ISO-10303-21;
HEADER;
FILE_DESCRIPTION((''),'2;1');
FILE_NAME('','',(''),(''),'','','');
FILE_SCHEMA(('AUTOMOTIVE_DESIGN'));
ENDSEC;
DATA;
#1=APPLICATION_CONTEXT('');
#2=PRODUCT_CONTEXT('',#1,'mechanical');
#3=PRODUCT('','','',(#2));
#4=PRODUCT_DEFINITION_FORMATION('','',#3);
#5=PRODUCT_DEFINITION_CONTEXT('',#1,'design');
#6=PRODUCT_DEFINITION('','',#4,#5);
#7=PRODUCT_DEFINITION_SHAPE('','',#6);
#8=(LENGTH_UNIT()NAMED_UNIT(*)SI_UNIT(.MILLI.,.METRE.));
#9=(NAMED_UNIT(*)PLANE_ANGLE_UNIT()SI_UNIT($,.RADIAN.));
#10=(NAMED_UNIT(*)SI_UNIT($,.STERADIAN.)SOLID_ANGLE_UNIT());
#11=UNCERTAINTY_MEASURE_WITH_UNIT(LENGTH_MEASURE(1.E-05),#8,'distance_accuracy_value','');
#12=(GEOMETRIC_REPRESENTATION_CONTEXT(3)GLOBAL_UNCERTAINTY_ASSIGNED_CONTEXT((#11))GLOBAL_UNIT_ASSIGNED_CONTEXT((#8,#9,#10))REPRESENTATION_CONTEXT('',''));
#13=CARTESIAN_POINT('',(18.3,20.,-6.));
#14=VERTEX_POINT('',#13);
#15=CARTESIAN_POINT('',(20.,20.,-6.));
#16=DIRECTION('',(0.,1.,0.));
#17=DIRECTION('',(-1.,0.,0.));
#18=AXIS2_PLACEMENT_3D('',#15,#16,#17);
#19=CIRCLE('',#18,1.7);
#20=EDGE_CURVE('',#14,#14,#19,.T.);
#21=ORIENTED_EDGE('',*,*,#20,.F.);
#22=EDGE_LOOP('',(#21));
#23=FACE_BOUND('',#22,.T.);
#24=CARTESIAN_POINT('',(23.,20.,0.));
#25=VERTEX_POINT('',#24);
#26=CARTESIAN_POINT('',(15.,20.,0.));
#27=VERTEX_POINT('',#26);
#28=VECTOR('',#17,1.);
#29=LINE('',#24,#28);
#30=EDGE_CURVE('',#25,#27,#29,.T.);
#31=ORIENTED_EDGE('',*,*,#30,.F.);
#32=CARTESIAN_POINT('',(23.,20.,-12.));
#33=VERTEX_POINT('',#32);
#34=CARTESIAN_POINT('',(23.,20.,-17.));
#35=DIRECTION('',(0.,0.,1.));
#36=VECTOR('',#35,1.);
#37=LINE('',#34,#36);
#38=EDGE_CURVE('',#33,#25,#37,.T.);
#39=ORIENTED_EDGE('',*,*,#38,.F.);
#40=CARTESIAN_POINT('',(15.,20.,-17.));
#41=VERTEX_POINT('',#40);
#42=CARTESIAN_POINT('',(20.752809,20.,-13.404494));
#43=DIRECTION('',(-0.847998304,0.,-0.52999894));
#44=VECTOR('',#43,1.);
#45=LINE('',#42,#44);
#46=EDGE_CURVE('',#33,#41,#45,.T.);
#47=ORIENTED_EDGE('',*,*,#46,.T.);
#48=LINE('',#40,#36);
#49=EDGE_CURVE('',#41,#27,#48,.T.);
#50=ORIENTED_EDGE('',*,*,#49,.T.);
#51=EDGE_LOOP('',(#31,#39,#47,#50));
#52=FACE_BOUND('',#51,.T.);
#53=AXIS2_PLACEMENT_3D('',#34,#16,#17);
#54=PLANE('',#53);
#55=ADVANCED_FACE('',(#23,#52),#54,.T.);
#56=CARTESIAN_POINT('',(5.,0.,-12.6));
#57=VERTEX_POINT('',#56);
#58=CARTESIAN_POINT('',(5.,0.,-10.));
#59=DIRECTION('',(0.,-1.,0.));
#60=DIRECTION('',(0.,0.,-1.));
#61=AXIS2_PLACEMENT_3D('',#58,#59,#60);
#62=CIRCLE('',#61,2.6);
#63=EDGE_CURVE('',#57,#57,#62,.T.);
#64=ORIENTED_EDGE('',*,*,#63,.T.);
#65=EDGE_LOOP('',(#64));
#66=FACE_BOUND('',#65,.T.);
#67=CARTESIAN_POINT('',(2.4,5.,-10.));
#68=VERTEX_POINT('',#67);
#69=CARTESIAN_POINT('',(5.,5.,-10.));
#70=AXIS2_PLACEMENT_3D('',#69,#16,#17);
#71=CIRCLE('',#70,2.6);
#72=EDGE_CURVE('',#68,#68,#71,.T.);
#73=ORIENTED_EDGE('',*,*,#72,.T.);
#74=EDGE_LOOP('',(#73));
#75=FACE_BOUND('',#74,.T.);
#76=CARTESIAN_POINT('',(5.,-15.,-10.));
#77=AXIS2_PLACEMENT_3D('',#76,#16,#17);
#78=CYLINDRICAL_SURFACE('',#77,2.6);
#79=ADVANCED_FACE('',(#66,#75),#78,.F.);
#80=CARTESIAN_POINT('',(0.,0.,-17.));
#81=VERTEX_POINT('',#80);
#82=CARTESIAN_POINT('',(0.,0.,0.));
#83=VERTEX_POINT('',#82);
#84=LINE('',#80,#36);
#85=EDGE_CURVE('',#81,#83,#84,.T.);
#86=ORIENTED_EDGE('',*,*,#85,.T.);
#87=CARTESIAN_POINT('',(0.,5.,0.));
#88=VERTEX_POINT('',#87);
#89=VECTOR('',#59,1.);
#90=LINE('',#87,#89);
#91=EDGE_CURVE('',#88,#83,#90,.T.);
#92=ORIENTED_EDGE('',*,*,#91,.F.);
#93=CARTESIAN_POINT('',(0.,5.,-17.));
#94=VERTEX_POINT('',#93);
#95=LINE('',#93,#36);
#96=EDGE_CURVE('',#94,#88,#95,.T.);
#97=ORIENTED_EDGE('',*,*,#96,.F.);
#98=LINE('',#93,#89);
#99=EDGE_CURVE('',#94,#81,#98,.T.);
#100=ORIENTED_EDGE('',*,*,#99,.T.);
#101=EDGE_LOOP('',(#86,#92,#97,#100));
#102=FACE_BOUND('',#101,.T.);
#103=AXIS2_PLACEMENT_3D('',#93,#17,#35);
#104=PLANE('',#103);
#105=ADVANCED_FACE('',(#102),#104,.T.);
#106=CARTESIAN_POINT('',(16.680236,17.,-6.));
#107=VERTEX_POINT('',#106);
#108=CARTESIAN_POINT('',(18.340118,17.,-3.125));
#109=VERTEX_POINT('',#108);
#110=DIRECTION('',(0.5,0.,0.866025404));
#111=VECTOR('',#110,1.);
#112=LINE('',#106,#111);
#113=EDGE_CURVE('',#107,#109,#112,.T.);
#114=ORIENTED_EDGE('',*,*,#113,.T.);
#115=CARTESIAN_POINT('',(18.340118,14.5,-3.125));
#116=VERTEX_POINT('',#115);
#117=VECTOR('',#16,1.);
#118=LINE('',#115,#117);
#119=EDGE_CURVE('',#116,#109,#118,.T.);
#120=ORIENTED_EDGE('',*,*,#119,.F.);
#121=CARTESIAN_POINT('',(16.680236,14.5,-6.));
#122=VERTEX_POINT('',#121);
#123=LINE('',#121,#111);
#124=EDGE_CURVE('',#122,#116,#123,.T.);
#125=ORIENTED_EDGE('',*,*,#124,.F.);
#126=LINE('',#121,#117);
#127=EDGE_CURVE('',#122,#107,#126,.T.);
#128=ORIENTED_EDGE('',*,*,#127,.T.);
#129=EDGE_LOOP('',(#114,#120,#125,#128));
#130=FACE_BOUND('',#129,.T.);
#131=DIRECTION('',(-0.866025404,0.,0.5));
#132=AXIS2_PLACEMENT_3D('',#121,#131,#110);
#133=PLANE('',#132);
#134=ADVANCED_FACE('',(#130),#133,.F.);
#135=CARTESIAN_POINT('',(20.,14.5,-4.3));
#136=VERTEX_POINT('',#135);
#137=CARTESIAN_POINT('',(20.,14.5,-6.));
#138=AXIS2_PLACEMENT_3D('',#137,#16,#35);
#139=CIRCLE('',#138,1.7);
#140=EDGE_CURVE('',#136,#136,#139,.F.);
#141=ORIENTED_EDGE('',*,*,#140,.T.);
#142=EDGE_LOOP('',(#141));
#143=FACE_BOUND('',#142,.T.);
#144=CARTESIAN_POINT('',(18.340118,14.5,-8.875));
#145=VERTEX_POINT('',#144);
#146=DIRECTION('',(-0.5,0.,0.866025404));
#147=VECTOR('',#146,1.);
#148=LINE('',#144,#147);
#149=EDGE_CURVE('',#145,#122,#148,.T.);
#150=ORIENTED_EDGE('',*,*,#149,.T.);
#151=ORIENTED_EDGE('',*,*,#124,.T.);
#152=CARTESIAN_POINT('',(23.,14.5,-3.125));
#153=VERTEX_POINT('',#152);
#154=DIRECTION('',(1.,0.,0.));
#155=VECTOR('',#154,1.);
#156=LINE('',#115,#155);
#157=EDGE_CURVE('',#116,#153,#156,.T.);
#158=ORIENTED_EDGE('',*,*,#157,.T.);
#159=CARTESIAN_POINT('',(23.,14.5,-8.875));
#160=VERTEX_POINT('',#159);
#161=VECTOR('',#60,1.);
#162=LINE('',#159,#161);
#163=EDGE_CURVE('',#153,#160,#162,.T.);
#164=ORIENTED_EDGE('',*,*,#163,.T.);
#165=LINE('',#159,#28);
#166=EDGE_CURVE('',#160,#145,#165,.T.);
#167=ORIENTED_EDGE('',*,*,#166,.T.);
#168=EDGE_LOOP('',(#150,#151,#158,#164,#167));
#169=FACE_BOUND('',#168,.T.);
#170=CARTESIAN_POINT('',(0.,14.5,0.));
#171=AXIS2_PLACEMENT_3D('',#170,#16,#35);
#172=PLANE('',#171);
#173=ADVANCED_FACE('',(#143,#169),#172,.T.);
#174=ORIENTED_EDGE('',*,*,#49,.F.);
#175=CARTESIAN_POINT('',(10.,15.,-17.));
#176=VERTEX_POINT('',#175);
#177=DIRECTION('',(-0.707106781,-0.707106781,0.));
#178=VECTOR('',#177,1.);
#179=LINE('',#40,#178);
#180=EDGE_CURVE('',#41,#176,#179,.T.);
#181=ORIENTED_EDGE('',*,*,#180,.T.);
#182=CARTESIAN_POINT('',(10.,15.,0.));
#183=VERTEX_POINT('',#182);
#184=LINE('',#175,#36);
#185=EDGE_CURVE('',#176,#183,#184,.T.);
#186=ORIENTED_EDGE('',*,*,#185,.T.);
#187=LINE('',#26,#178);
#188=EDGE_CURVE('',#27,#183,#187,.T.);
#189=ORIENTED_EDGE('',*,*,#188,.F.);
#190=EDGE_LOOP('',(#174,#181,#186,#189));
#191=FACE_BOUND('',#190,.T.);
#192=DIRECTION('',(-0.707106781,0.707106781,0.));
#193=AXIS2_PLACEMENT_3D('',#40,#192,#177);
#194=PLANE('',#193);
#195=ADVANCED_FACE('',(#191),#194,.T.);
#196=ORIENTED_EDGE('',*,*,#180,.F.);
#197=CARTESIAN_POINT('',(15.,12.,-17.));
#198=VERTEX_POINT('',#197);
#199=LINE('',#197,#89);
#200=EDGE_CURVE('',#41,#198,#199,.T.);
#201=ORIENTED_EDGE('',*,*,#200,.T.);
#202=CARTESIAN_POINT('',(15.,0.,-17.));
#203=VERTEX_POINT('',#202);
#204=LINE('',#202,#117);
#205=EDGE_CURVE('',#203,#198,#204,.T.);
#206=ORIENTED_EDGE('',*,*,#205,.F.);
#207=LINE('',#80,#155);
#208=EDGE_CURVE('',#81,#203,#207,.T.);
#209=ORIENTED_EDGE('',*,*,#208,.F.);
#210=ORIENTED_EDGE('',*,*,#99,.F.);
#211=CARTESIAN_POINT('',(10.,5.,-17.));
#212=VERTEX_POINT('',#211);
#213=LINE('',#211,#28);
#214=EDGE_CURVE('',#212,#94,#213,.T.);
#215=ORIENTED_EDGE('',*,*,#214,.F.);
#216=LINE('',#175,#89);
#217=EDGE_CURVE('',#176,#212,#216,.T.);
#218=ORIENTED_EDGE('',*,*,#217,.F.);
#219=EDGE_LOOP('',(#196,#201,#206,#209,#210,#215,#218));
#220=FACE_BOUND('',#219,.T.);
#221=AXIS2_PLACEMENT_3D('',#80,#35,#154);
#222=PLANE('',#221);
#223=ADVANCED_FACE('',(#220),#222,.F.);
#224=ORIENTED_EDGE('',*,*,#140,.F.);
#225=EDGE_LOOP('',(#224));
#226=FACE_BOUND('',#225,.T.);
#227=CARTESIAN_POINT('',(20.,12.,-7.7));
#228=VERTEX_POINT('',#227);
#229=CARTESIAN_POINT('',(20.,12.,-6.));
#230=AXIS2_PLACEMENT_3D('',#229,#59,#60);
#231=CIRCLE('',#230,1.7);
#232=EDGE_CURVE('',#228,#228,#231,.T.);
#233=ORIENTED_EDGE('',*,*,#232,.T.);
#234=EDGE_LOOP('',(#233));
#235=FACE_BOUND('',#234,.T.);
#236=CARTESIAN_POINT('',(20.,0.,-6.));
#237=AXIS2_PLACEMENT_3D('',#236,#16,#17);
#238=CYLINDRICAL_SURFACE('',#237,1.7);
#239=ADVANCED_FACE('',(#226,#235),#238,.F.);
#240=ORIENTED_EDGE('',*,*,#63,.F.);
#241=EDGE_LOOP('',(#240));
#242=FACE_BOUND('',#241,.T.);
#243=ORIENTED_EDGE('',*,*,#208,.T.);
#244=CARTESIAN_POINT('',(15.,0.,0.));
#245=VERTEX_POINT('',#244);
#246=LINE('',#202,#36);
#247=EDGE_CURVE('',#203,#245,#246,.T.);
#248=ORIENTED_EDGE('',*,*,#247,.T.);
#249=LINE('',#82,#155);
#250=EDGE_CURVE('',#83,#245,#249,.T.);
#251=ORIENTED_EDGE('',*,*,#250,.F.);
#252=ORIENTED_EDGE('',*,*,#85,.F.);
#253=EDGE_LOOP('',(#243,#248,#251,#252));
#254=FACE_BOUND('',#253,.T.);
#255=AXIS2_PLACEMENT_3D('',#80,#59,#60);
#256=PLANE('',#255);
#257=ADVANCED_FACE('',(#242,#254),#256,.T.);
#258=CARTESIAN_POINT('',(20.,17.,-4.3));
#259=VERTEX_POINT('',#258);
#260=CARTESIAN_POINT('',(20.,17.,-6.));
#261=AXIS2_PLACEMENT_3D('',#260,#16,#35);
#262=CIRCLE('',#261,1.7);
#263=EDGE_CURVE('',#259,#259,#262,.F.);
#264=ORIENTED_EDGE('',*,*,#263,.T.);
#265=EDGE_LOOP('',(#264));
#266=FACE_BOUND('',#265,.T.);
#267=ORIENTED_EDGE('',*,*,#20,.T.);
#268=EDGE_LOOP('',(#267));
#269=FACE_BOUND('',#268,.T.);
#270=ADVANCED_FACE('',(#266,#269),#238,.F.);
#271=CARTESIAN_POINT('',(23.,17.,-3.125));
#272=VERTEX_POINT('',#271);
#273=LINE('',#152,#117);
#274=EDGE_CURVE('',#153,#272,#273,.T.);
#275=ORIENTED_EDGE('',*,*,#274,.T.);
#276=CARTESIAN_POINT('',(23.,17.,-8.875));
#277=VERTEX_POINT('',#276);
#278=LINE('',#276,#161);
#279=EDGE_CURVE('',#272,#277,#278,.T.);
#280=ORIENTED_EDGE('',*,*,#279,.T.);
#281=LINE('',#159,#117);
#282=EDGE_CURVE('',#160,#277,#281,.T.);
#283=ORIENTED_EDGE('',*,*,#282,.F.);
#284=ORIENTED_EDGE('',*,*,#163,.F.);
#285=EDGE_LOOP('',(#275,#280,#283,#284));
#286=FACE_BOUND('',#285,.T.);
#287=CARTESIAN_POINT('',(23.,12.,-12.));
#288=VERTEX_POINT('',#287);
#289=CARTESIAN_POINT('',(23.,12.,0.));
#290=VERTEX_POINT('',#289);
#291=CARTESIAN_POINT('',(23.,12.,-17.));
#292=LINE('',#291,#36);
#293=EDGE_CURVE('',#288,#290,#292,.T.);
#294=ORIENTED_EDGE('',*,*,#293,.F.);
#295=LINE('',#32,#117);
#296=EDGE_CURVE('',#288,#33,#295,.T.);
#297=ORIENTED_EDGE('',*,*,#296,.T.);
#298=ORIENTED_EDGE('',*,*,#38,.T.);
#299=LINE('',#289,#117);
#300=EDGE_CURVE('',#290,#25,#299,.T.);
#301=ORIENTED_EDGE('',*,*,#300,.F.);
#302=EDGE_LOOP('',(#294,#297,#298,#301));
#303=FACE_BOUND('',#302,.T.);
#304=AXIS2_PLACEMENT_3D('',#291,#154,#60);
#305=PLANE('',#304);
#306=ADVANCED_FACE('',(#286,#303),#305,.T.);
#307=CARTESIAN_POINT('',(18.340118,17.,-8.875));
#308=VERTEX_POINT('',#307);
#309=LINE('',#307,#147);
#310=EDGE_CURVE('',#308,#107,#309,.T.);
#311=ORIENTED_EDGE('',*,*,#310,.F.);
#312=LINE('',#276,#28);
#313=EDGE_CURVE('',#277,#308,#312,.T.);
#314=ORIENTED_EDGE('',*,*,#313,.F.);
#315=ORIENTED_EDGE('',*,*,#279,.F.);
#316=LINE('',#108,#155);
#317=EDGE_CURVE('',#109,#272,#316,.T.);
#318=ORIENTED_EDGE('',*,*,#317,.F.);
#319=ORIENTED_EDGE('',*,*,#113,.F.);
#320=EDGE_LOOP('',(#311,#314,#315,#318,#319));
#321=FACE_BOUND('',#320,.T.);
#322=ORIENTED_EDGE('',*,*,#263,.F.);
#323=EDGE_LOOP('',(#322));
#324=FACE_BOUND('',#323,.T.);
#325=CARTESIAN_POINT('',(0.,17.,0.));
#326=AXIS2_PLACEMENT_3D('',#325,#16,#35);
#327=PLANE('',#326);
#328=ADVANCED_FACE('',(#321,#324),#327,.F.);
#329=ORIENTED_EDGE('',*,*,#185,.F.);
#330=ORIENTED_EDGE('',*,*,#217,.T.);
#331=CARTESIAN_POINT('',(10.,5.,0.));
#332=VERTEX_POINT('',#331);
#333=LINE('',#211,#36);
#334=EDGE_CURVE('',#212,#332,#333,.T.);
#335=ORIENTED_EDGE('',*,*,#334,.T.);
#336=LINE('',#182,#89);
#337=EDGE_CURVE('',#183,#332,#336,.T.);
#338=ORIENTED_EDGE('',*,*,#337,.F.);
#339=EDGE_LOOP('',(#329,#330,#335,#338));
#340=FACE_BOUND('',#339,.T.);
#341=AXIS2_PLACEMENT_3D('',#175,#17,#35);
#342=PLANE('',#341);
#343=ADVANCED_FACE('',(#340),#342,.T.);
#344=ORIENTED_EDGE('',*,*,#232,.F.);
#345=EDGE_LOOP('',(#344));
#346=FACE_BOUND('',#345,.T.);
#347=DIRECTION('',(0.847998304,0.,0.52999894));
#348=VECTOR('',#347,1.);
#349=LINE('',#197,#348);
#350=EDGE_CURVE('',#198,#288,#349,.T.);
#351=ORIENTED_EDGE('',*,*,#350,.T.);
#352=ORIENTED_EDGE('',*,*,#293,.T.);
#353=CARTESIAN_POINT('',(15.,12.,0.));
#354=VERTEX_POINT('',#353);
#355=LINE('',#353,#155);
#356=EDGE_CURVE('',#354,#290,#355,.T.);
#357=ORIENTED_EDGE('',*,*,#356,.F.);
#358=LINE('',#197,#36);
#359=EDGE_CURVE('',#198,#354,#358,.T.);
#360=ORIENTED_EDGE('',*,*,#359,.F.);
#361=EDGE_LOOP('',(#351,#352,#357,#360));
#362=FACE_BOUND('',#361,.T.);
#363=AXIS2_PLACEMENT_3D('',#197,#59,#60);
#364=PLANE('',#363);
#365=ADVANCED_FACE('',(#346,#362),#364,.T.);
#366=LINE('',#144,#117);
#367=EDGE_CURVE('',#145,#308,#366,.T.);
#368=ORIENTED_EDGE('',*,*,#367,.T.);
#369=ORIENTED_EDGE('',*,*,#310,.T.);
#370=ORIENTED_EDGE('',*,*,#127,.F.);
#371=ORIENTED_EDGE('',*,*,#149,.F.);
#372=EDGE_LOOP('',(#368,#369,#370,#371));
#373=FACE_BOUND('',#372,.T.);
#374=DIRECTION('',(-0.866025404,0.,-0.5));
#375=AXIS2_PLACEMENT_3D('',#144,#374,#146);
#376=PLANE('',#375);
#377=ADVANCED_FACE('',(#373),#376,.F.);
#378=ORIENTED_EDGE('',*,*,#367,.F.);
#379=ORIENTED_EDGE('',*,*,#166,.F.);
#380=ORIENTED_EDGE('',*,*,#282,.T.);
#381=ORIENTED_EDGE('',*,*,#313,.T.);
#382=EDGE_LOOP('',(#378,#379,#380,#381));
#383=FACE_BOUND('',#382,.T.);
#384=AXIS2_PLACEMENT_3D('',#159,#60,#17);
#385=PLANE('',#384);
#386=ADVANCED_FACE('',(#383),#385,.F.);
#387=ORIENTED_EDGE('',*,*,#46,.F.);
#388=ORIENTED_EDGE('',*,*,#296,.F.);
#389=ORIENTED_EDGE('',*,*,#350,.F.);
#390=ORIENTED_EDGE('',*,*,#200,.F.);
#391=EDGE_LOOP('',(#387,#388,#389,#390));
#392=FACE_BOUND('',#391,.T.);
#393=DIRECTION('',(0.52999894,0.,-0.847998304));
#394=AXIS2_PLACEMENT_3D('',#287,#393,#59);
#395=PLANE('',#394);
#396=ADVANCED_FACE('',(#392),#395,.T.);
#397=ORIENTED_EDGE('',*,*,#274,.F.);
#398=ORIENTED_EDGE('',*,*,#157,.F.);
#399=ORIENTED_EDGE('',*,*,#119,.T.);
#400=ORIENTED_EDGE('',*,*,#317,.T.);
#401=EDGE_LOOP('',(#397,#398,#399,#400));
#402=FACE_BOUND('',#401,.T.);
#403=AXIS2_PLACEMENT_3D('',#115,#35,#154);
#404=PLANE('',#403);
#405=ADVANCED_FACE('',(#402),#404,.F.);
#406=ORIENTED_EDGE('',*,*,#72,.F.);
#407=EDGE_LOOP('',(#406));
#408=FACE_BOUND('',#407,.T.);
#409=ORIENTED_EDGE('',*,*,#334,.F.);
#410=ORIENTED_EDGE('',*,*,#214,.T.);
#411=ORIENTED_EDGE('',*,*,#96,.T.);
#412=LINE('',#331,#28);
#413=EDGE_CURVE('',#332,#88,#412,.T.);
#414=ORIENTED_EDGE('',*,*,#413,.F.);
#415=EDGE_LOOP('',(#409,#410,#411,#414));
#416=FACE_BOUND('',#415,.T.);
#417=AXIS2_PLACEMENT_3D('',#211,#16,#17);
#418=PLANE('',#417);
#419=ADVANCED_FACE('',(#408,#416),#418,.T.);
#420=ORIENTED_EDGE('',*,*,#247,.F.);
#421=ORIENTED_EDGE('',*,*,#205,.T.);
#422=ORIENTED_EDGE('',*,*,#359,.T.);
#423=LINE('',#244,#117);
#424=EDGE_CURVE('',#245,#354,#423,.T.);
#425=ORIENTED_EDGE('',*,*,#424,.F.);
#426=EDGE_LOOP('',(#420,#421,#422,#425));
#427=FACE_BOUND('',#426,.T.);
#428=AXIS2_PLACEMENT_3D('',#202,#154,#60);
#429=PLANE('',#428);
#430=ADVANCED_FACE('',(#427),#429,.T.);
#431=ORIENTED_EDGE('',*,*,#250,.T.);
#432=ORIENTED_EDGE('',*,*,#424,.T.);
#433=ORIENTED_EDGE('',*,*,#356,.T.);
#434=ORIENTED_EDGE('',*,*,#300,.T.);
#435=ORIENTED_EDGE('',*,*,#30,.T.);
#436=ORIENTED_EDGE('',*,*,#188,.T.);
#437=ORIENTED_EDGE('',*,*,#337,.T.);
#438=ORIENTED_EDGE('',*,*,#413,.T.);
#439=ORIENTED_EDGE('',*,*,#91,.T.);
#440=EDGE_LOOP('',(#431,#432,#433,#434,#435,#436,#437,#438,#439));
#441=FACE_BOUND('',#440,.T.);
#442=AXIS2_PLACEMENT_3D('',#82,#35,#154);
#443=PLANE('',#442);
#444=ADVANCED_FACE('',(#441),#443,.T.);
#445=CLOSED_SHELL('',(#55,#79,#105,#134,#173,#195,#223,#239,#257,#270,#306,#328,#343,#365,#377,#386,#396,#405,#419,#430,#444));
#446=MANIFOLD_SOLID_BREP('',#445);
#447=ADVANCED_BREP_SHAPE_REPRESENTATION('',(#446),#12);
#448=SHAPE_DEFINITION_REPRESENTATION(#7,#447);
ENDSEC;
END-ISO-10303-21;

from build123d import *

# Parameters (mm, degrees)
RESSALTO_EXTRUS_O1_DEPTH = 17
ESBO_O2_R                = 2.6
CORTE_EXTRUS_O1_DEPTH    = 20
CHANFRO1_SIZE            = 8
CHANFRO1_SIZE2           = 5
ESBO_O3_R                = 1.7
CORTE_EXTRUS_O2_DEPTH    = 21
CORTE_EXTRUS_O3_START    = -3
CORTE_EXTRUS_O3_DEPTH    = 2.5


with BuildPart() as part:
    # Esboço1 → Ressalto-extrusão1 (new body)
    with BuildSketch(Plane.XY):
        Polygon((0, 0), (15, 0), (15, 12), (23, 12), (23, 20), (15, 20), (10, 15), (10, 5), (0, 5), align=None)
    extrude(amount=-RESSALTO_EXTRUS_O1_DEPTH)

    # Esboço2 → Corte-extrusão1 (cut)
    with BuildSketch(Plane(origin=(0, 5, 0), x_dir=(1, 0, 0), z_dir=(0, 1, 0))):
        with Locations((5, 10)):
            Circle(ESBO_O2_R)
    extrude(amount=-CORTE_EXTRUS_O1_DEPTH, mode=Mode.SUBTRACT)

    # Chanfro1
    chanfro1_edges = [part.edges().sort_by_distance(p)[0] for p in [
        (23, 16, -17),
    ]]
    chanfro1_side = [part.faces().sort_by_distance(p)[0] for p in [
        (12.755169562, 9.52770885, -17),
    ]]
    chamfer(chanfro1_edges, length=CHANFRO1_SIZE, length2=CHANFRO1_SIZE2, reference=chanfro1_side[0])

    # Esboço3 → Corte-extrusão2 (cut, through all)
    with BuildSketch(Plane(origin=(0, 20, 0), x_dir=(1, 0, 0), z_dir=(0, 1, 0))):
        with Locations((20, 6)):
            Circle(ESBO_O3_R)
    extrude(amount=-CORTE_EXTRUS_O2_DEPTH, mode=Mode.SUBTRACT)

    # Esboço4 → Corte-extrusão3 (cut)
    with BuildSketch(Plane(origin=(0, 20, 0), x_dir=(1, 0, 0), z_dir=(0, 1, 0)).offset(CORTE_EXTRUS_O3_START)):
        Polygon((23, 8.875), (18.340117976, 8.875), (16.680235952, 6), (18.340117976, 3.125), (23, 3.125), align=None)
    extrude(amount=-CORTE_EXTRUS_O3_DEPTH, mode=Mode.SUBTRACT)


solid = part.part
